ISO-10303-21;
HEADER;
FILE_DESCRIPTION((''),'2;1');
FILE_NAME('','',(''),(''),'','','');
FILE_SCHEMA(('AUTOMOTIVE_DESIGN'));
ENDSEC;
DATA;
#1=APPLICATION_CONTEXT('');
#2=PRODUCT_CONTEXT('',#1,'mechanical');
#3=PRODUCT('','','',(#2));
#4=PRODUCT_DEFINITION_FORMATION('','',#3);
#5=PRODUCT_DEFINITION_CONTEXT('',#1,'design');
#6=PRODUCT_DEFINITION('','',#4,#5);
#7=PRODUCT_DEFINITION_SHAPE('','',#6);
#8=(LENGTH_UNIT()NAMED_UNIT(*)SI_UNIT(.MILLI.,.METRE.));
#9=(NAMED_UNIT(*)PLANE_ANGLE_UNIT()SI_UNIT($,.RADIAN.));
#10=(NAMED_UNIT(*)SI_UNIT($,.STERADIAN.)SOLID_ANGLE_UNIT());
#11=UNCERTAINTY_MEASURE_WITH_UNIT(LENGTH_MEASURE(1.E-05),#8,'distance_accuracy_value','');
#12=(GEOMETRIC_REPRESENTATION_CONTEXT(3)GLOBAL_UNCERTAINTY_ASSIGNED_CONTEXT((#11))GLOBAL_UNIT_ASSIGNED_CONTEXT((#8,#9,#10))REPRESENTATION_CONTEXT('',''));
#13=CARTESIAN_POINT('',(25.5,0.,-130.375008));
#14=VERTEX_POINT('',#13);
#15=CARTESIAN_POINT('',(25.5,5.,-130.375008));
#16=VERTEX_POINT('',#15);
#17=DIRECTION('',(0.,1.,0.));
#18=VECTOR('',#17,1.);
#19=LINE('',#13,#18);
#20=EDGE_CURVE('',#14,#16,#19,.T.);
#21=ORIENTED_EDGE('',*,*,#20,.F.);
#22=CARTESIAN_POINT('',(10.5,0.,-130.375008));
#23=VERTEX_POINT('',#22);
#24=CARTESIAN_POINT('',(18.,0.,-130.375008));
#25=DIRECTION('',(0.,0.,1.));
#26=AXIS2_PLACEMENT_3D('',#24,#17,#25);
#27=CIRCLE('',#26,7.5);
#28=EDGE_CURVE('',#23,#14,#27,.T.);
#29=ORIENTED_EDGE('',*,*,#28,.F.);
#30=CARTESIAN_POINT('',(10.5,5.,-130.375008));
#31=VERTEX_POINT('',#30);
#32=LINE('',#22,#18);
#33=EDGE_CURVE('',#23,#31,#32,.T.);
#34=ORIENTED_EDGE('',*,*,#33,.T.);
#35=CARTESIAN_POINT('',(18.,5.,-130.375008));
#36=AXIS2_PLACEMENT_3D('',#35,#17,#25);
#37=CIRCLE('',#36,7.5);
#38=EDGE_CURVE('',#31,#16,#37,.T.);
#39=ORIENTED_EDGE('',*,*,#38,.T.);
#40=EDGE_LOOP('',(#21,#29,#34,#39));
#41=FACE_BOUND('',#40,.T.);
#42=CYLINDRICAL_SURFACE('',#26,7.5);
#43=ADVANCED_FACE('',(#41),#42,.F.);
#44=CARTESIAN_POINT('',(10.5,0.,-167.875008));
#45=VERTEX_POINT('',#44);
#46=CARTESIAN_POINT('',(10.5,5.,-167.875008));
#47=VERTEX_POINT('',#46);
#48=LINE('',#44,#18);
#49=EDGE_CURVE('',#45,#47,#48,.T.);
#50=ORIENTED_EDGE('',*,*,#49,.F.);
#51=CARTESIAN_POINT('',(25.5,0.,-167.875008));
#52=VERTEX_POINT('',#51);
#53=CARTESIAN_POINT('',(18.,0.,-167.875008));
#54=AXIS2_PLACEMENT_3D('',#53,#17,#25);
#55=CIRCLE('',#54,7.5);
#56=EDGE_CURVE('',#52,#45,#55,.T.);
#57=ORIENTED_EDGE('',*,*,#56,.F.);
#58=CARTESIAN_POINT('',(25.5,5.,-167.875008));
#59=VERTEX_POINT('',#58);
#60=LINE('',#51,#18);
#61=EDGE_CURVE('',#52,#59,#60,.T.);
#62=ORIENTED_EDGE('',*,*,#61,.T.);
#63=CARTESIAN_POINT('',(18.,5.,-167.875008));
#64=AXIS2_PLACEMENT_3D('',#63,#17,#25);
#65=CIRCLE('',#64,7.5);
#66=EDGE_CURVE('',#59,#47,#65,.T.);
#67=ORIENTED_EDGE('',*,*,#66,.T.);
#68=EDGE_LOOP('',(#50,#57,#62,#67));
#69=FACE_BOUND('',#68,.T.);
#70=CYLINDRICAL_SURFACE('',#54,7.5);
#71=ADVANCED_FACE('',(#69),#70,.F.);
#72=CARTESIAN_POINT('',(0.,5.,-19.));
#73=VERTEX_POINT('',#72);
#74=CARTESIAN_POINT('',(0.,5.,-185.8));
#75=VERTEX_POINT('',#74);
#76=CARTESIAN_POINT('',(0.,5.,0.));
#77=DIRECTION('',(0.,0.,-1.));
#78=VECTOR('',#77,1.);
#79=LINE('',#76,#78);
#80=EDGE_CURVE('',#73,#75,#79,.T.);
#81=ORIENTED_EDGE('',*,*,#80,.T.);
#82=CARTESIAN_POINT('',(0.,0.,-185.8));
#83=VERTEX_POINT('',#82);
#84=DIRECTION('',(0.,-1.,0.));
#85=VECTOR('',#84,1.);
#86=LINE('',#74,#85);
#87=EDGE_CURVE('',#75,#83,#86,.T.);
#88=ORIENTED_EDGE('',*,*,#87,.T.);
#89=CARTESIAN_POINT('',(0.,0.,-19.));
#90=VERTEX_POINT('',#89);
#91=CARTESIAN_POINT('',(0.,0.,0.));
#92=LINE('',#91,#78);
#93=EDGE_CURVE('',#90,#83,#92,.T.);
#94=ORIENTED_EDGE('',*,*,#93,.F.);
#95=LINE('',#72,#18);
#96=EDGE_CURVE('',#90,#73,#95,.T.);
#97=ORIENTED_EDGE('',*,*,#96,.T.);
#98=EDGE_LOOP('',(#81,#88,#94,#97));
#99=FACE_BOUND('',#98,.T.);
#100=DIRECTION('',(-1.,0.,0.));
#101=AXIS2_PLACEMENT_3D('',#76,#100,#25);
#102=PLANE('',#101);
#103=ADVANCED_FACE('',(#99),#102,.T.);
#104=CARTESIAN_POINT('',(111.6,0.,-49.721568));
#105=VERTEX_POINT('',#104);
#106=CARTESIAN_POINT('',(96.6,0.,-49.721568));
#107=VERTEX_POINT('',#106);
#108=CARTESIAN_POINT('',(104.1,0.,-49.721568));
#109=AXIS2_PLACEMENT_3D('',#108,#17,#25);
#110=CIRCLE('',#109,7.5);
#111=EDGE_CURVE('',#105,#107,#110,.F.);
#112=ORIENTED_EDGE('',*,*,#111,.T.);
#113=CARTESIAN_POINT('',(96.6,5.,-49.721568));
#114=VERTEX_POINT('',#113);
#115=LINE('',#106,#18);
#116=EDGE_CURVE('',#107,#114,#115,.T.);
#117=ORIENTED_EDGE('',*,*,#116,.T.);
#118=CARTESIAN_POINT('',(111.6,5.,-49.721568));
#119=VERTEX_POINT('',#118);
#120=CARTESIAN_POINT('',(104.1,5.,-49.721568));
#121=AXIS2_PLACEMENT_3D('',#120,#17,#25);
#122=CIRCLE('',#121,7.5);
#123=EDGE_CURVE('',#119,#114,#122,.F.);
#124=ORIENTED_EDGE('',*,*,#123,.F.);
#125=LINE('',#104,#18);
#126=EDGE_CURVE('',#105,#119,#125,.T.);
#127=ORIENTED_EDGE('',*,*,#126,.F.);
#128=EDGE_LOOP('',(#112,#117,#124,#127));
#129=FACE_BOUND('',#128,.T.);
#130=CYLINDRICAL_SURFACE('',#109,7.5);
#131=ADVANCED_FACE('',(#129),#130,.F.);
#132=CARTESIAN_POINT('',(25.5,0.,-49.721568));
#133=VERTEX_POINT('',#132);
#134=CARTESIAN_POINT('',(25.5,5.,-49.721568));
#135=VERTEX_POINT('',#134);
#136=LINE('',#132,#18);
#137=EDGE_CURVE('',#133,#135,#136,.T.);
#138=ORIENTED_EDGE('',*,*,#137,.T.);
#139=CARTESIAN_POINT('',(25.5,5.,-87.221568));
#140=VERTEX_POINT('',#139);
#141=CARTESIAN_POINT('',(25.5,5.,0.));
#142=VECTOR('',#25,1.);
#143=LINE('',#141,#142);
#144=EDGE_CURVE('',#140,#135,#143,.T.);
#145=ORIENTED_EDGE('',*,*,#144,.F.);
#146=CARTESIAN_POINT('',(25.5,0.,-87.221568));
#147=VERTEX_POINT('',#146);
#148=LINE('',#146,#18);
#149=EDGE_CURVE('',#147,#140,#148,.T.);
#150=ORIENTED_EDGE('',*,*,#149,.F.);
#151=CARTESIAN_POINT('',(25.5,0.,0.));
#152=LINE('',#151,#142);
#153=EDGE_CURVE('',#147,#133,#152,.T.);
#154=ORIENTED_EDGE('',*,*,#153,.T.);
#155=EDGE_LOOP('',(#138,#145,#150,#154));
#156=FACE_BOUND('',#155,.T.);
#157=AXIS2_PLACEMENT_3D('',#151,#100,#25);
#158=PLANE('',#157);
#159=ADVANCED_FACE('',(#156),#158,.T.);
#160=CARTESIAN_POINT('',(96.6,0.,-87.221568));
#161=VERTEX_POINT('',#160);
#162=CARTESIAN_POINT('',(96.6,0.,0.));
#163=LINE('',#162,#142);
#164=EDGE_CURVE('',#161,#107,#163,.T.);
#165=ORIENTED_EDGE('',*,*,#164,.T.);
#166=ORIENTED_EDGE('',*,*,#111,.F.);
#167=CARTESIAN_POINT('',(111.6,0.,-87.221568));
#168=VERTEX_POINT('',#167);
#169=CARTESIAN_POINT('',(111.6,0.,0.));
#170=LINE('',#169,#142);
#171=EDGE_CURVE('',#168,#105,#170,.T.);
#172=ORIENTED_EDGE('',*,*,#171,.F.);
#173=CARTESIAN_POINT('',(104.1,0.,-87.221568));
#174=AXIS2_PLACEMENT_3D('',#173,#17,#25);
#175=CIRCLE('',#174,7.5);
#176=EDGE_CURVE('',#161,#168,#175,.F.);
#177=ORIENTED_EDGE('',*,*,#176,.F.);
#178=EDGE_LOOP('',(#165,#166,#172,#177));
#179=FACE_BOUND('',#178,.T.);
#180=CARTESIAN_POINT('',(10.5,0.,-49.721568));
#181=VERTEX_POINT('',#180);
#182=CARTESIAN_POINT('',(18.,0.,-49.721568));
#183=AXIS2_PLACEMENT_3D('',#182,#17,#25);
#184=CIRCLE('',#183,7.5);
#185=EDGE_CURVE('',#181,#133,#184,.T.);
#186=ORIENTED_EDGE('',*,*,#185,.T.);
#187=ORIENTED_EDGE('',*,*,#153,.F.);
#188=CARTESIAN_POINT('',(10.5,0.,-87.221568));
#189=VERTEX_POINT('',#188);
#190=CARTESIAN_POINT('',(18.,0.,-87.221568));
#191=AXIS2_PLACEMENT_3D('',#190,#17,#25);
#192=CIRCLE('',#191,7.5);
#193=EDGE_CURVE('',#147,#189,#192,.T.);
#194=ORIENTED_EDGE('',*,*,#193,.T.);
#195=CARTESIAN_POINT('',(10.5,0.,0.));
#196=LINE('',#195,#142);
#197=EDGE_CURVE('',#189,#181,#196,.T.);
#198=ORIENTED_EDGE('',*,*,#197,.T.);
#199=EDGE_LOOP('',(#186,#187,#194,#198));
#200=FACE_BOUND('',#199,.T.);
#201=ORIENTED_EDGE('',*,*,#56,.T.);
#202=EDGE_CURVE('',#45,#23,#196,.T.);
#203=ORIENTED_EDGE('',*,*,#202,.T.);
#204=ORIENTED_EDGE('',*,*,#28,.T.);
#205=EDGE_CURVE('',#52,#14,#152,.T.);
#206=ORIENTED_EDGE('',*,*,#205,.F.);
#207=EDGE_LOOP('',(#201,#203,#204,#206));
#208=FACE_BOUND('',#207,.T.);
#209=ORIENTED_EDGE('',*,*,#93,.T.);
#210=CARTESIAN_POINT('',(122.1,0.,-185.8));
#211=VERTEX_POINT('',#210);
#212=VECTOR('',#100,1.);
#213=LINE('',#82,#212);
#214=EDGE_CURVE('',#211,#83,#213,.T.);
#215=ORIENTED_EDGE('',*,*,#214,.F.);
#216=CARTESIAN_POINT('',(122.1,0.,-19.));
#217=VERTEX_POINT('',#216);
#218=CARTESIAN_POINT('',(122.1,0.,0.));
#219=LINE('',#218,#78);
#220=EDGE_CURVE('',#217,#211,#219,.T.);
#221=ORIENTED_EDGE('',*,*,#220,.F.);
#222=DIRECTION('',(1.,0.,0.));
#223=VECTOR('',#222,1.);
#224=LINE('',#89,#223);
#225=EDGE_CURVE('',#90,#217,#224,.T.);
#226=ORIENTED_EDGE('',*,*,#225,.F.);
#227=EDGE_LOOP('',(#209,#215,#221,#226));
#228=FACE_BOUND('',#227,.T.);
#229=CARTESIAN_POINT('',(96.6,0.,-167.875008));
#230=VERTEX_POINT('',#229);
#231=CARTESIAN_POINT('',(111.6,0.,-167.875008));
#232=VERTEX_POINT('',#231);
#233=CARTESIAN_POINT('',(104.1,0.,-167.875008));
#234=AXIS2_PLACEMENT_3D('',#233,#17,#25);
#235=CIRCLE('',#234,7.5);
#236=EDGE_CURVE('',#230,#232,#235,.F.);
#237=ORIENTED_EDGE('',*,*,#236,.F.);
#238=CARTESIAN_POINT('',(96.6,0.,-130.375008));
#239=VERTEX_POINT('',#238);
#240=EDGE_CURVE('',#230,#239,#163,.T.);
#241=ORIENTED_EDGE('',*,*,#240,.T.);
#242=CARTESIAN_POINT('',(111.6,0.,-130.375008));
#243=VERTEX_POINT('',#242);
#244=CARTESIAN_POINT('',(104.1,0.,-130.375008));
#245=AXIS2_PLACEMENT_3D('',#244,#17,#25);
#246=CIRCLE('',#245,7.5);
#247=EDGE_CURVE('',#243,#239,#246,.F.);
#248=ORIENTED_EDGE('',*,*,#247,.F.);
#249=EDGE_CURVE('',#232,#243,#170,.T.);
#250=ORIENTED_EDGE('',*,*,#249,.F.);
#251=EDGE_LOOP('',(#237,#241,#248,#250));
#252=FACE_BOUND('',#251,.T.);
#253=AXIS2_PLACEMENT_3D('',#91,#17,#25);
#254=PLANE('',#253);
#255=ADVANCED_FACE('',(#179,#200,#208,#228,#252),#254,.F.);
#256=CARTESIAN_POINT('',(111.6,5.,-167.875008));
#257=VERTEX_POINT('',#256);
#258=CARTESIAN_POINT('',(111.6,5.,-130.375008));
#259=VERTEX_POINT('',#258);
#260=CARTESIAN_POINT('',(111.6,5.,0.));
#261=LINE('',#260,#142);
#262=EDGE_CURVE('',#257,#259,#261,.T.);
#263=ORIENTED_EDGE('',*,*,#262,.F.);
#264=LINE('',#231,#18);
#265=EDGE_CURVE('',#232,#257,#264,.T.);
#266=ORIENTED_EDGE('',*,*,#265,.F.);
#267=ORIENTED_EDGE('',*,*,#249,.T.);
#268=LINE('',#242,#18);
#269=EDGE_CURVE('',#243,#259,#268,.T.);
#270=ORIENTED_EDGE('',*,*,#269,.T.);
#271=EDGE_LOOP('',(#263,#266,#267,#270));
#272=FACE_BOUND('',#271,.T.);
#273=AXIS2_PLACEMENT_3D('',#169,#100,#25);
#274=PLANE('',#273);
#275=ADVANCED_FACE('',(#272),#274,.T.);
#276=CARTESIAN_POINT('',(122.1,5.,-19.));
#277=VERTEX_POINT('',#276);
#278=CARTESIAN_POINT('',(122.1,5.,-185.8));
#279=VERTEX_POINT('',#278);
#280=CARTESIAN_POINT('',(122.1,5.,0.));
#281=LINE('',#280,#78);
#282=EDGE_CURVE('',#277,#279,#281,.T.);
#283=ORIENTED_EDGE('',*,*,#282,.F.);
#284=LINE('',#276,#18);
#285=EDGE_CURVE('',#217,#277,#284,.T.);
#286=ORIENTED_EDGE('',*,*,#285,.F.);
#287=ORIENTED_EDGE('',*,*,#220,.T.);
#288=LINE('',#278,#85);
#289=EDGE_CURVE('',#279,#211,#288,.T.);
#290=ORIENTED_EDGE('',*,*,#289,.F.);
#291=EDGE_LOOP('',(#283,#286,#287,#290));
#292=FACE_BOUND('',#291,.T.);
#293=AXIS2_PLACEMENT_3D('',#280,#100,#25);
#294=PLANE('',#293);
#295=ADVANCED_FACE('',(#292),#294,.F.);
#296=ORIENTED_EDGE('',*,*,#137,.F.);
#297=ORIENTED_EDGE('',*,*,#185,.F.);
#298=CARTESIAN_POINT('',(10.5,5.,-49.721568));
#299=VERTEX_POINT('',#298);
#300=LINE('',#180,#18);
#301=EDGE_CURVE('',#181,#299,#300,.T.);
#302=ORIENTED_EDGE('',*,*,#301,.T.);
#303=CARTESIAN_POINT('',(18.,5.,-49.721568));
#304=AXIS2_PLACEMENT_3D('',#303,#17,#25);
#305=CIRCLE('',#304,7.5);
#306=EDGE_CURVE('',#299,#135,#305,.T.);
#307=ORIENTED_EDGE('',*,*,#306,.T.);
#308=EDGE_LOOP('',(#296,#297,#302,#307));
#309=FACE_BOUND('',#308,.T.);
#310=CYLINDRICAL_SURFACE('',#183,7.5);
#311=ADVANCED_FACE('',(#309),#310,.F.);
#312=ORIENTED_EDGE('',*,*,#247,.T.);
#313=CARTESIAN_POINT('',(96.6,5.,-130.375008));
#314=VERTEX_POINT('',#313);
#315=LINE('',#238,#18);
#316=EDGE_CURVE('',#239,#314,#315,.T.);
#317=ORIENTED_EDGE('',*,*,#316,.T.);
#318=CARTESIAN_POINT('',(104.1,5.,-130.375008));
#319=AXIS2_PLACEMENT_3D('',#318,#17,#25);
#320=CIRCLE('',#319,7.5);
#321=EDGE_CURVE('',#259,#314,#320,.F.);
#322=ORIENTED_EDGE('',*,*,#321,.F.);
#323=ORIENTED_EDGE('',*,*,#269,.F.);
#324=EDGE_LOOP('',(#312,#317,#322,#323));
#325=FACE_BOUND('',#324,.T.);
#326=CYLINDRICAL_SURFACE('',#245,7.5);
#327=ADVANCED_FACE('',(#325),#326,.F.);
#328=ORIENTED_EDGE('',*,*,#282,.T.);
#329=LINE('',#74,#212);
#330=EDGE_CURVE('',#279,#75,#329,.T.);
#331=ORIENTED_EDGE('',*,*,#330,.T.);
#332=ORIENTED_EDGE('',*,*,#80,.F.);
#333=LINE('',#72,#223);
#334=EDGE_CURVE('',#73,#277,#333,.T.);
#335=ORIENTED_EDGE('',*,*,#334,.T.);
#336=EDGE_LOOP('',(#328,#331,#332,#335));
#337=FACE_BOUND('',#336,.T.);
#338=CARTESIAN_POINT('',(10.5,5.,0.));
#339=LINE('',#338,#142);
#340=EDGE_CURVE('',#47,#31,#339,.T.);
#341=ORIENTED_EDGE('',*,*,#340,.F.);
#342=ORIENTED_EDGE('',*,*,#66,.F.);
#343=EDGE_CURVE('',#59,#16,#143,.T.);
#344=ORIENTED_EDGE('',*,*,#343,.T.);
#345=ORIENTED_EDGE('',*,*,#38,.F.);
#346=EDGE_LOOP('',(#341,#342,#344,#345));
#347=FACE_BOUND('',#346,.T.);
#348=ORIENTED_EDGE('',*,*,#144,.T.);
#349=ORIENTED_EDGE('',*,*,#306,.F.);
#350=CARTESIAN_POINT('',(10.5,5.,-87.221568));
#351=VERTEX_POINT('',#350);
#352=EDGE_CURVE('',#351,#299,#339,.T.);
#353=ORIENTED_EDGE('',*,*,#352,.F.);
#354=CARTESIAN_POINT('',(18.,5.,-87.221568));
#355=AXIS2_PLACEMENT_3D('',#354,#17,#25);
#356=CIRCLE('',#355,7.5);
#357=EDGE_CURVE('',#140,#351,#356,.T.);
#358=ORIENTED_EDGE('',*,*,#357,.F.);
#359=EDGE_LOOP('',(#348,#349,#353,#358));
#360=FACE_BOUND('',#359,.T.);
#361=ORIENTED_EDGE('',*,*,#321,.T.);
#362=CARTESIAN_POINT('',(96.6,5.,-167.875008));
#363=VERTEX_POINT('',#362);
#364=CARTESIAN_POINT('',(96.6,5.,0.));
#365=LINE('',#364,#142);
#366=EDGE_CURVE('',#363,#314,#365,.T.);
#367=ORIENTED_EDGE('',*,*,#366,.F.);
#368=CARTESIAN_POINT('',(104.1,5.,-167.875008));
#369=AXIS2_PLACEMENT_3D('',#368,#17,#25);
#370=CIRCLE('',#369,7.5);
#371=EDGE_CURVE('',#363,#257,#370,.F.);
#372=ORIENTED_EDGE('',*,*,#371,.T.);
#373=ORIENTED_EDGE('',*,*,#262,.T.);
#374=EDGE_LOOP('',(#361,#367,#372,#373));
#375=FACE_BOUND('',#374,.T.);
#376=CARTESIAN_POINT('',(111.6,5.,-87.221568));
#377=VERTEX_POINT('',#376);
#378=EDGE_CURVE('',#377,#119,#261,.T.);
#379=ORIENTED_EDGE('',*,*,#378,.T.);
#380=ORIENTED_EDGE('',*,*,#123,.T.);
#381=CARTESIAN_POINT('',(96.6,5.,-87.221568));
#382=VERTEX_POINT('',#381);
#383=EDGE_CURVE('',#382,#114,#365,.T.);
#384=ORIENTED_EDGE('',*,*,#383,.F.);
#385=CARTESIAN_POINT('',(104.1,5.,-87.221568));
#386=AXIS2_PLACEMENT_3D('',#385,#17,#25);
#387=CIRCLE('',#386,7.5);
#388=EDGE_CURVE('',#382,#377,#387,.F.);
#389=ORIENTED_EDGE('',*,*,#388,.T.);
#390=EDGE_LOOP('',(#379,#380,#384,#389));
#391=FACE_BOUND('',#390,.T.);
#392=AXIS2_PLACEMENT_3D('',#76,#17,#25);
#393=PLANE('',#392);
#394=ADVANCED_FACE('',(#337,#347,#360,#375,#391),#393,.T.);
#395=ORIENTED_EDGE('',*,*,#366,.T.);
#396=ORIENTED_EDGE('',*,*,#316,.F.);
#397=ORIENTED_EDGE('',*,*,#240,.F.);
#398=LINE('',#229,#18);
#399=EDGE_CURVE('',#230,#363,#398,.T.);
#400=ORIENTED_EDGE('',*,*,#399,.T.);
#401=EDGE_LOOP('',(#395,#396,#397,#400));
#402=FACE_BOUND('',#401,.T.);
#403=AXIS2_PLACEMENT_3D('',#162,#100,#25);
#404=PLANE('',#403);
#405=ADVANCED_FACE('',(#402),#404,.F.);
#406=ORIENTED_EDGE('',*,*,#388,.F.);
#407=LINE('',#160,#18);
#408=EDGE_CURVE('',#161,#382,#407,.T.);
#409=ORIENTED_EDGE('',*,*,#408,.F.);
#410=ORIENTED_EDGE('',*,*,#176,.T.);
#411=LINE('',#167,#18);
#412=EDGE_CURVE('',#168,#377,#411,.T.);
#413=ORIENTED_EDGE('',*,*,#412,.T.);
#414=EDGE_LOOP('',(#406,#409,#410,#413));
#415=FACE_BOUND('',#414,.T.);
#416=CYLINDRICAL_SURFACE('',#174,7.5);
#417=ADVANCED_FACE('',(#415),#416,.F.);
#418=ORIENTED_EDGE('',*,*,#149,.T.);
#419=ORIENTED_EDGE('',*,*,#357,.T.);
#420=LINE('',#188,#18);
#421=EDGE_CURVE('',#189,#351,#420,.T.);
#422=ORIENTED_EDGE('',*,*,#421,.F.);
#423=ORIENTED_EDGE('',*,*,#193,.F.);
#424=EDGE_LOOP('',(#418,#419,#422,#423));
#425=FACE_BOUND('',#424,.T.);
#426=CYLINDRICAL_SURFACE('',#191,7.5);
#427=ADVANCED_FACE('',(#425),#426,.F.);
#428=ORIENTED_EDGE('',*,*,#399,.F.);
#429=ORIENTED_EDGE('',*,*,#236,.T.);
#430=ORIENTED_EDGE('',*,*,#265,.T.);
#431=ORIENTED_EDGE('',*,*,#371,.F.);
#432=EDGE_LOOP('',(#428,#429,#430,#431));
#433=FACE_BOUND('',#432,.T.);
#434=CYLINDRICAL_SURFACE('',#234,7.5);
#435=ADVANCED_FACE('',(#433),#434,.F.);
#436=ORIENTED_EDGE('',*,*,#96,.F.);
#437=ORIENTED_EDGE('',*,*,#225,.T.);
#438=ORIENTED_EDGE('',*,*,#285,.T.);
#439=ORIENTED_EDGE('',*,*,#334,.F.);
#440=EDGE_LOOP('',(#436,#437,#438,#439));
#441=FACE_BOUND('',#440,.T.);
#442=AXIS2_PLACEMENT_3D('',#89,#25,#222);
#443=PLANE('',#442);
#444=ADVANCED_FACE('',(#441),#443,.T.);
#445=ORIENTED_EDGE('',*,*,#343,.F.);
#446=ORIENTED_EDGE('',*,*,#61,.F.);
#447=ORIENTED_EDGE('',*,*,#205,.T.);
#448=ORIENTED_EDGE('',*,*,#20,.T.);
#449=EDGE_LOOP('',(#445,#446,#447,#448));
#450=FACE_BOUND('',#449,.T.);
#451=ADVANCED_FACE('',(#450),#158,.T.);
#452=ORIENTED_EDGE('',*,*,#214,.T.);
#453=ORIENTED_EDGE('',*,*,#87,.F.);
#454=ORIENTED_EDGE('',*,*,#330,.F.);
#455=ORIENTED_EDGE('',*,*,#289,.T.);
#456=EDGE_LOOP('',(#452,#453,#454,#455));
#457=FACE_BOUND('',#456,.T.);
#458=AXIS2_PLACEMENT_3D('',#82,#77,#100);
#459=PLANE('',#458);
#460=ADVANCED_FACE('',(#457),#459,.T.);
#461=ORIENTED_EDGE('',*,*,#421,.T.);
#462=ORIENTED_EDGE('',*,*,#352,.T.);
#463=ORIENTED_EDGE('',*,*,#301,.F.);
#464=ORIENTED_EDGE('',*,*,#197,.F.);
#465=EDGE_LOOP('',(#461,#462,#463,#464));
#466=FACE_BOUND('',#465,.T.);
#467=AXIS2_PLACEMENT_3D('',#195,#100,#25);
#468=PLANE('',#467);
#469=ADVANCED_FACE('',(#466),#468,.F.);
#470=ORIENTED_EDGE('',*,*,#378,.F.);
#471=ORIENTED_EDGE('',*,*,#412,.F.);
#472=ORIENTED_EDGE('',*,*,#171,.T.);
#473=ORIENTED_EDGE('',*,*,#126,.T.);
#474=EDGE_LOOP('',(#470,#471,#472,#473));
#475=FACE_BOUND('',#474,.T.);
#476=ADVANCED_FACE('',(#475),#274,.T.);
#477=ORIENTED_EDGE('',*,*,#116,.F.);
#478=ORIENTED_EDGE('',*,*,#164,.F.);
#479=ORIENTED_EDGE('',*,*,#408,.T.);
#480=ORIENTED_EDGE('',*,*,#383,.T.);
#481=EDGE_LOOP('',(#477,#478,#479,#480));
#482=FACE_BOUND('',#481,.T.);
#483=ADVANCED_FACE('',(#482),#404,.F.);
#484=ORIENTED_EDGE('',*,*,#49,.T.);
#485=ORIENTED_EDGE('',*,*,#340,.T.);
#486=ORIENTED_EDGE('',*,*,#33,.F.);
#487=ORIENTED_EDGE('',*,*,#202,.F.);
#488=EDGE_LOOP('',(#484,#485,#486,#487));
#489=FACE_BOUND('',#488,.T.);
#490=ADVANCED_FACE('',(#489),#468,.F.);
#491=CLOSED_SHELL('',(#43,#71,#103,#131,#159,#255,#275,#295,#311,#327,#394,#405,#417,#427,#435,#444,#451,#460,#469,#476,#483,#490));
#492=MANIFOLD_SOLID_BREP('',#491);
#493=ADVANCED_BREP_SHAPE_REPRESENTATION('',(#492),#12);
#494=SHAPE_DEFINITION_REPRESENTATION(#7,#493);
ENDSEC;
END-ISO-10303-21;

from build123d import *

# Parameters (mm, degrees)
SKETCH1_W           = 122.1
SKETCH1_H           = 197.8
BOSS_EXTRUDE2_DEPTH = 5
CUT_EXTRUDE1_DEPTH  = 5
SKETCH5_W           = 176.692600263
SKETCH5_H           = 67.834694549
CUT_EXTRUDE2_DEPTH  = 12
SKETCH6_W           = 148.50335492
SKETCH6_H           = 63.858757444
CUT_EXTRUDE3_DEPTH  = 19


with BuildPart() as part:
    # Sketch1 → Boss-Extrude2 (new body)
    with BuildSketch(Plane(origin=(0, 0, 0), x_dir=(1, 0, 0), z_dir=(0, 1, 0))):
        with Locations((61.05, 98.9)):
            Rectangle(SKETCH1_W, SKETCH1_H)
    extrude(amount=BOSS_EXTRUDE2_DEPTH)

    # Sketch3 → Cut-Extrude1 (cut)
    with BuildSketch(Plane(origin=(0, 5, 0), x_dir=(1, 0, 0), z_dir=(0, 1, 0))):
        with BuildLine():
            Line((10.5, 167.875007929), (10.5, 130.375007929))
            ThreePointArc((10.5, 130.375007929), (18, 122.875007929), (25.5, 130.375007929))
            Line((25.5, 130.375007929), (25.5, 167.875007929))
            ThreePointArc((25.5, 167.875007929), (18, 175.375007929), (10.5, 167.875007929))
        make_face()
        with BuildLine():
            ThreePointArc((111.6, 130.375007929), (104.1, 122.875007929), (96.6, 130.375007929))
            Line((96.6, 130.375007929), (96.6, 167.875007929))
            ThreePointArc((96.6, 167.875007929), (104.1, 175.375007929), (111.6, 167.875007929))
            Line((111.6, 167.875007929), (111.6, 130.375007929))
        make_face()
        with BuildLine():
            ThreePointArc((111.6, 49.721568021), (104.1, 42.221568021), (96.6, 49.721568021))
            Line((96.6, 49.721568021), (96.6, 87.221568021))
            ThreePointArc((96.6, 87.221568021), (104.1, 94.721568021), (111.6, 87.221568021))
            Line((111.6, 87.221568021), (111.6, 49.721568021))
        make_face()
        with BuildLine():
            Line((10.5, 87.221568021), (10.5, 49.721568021))
            ThreePointArc((10.5, 49.721568021), (18, 42.221568021), (25.5, 49.721568021))
            Line((25.5, 49.721568021), (25.5, 87.221568021))
            ThreePointArc((25.5, 87.221568021), (18, 94.721568021), (10.5, 87.221568021))
        make_face()
    extrude(amount=-CUT_EXTRUDE1_DEPTH, mode=Mode.SUBTRACT)

    # Sketch5 → Cut-Extrude2 (cut)
    with BuildSketch(Plane(origin=(0, 0, -197.8), x_dir=(-1, 0, 0), z_dir=(0, 0, -1))):
        with Locations((-46.708276043, -7.602787765)):
            Rectangle(SKETCH5_W, SKETCH5_H)
    extrude(amount=-CUT_EXTRUDE2_DEPTH, mode=Mode.SUBTRACT)

    # Sketch6 → Cut-Extrude3 (cut)
    with BuildSketch(Plane.XY):
        with Locations((68.056552209, 0.930489014)):
            Rectangle(SKETCH6_W, SKETCH6_H)
    extrude(amount=-CUT_EXTRUDE3_DEPTH, mode=Mode.SUBTRACT)


solid = part.part
